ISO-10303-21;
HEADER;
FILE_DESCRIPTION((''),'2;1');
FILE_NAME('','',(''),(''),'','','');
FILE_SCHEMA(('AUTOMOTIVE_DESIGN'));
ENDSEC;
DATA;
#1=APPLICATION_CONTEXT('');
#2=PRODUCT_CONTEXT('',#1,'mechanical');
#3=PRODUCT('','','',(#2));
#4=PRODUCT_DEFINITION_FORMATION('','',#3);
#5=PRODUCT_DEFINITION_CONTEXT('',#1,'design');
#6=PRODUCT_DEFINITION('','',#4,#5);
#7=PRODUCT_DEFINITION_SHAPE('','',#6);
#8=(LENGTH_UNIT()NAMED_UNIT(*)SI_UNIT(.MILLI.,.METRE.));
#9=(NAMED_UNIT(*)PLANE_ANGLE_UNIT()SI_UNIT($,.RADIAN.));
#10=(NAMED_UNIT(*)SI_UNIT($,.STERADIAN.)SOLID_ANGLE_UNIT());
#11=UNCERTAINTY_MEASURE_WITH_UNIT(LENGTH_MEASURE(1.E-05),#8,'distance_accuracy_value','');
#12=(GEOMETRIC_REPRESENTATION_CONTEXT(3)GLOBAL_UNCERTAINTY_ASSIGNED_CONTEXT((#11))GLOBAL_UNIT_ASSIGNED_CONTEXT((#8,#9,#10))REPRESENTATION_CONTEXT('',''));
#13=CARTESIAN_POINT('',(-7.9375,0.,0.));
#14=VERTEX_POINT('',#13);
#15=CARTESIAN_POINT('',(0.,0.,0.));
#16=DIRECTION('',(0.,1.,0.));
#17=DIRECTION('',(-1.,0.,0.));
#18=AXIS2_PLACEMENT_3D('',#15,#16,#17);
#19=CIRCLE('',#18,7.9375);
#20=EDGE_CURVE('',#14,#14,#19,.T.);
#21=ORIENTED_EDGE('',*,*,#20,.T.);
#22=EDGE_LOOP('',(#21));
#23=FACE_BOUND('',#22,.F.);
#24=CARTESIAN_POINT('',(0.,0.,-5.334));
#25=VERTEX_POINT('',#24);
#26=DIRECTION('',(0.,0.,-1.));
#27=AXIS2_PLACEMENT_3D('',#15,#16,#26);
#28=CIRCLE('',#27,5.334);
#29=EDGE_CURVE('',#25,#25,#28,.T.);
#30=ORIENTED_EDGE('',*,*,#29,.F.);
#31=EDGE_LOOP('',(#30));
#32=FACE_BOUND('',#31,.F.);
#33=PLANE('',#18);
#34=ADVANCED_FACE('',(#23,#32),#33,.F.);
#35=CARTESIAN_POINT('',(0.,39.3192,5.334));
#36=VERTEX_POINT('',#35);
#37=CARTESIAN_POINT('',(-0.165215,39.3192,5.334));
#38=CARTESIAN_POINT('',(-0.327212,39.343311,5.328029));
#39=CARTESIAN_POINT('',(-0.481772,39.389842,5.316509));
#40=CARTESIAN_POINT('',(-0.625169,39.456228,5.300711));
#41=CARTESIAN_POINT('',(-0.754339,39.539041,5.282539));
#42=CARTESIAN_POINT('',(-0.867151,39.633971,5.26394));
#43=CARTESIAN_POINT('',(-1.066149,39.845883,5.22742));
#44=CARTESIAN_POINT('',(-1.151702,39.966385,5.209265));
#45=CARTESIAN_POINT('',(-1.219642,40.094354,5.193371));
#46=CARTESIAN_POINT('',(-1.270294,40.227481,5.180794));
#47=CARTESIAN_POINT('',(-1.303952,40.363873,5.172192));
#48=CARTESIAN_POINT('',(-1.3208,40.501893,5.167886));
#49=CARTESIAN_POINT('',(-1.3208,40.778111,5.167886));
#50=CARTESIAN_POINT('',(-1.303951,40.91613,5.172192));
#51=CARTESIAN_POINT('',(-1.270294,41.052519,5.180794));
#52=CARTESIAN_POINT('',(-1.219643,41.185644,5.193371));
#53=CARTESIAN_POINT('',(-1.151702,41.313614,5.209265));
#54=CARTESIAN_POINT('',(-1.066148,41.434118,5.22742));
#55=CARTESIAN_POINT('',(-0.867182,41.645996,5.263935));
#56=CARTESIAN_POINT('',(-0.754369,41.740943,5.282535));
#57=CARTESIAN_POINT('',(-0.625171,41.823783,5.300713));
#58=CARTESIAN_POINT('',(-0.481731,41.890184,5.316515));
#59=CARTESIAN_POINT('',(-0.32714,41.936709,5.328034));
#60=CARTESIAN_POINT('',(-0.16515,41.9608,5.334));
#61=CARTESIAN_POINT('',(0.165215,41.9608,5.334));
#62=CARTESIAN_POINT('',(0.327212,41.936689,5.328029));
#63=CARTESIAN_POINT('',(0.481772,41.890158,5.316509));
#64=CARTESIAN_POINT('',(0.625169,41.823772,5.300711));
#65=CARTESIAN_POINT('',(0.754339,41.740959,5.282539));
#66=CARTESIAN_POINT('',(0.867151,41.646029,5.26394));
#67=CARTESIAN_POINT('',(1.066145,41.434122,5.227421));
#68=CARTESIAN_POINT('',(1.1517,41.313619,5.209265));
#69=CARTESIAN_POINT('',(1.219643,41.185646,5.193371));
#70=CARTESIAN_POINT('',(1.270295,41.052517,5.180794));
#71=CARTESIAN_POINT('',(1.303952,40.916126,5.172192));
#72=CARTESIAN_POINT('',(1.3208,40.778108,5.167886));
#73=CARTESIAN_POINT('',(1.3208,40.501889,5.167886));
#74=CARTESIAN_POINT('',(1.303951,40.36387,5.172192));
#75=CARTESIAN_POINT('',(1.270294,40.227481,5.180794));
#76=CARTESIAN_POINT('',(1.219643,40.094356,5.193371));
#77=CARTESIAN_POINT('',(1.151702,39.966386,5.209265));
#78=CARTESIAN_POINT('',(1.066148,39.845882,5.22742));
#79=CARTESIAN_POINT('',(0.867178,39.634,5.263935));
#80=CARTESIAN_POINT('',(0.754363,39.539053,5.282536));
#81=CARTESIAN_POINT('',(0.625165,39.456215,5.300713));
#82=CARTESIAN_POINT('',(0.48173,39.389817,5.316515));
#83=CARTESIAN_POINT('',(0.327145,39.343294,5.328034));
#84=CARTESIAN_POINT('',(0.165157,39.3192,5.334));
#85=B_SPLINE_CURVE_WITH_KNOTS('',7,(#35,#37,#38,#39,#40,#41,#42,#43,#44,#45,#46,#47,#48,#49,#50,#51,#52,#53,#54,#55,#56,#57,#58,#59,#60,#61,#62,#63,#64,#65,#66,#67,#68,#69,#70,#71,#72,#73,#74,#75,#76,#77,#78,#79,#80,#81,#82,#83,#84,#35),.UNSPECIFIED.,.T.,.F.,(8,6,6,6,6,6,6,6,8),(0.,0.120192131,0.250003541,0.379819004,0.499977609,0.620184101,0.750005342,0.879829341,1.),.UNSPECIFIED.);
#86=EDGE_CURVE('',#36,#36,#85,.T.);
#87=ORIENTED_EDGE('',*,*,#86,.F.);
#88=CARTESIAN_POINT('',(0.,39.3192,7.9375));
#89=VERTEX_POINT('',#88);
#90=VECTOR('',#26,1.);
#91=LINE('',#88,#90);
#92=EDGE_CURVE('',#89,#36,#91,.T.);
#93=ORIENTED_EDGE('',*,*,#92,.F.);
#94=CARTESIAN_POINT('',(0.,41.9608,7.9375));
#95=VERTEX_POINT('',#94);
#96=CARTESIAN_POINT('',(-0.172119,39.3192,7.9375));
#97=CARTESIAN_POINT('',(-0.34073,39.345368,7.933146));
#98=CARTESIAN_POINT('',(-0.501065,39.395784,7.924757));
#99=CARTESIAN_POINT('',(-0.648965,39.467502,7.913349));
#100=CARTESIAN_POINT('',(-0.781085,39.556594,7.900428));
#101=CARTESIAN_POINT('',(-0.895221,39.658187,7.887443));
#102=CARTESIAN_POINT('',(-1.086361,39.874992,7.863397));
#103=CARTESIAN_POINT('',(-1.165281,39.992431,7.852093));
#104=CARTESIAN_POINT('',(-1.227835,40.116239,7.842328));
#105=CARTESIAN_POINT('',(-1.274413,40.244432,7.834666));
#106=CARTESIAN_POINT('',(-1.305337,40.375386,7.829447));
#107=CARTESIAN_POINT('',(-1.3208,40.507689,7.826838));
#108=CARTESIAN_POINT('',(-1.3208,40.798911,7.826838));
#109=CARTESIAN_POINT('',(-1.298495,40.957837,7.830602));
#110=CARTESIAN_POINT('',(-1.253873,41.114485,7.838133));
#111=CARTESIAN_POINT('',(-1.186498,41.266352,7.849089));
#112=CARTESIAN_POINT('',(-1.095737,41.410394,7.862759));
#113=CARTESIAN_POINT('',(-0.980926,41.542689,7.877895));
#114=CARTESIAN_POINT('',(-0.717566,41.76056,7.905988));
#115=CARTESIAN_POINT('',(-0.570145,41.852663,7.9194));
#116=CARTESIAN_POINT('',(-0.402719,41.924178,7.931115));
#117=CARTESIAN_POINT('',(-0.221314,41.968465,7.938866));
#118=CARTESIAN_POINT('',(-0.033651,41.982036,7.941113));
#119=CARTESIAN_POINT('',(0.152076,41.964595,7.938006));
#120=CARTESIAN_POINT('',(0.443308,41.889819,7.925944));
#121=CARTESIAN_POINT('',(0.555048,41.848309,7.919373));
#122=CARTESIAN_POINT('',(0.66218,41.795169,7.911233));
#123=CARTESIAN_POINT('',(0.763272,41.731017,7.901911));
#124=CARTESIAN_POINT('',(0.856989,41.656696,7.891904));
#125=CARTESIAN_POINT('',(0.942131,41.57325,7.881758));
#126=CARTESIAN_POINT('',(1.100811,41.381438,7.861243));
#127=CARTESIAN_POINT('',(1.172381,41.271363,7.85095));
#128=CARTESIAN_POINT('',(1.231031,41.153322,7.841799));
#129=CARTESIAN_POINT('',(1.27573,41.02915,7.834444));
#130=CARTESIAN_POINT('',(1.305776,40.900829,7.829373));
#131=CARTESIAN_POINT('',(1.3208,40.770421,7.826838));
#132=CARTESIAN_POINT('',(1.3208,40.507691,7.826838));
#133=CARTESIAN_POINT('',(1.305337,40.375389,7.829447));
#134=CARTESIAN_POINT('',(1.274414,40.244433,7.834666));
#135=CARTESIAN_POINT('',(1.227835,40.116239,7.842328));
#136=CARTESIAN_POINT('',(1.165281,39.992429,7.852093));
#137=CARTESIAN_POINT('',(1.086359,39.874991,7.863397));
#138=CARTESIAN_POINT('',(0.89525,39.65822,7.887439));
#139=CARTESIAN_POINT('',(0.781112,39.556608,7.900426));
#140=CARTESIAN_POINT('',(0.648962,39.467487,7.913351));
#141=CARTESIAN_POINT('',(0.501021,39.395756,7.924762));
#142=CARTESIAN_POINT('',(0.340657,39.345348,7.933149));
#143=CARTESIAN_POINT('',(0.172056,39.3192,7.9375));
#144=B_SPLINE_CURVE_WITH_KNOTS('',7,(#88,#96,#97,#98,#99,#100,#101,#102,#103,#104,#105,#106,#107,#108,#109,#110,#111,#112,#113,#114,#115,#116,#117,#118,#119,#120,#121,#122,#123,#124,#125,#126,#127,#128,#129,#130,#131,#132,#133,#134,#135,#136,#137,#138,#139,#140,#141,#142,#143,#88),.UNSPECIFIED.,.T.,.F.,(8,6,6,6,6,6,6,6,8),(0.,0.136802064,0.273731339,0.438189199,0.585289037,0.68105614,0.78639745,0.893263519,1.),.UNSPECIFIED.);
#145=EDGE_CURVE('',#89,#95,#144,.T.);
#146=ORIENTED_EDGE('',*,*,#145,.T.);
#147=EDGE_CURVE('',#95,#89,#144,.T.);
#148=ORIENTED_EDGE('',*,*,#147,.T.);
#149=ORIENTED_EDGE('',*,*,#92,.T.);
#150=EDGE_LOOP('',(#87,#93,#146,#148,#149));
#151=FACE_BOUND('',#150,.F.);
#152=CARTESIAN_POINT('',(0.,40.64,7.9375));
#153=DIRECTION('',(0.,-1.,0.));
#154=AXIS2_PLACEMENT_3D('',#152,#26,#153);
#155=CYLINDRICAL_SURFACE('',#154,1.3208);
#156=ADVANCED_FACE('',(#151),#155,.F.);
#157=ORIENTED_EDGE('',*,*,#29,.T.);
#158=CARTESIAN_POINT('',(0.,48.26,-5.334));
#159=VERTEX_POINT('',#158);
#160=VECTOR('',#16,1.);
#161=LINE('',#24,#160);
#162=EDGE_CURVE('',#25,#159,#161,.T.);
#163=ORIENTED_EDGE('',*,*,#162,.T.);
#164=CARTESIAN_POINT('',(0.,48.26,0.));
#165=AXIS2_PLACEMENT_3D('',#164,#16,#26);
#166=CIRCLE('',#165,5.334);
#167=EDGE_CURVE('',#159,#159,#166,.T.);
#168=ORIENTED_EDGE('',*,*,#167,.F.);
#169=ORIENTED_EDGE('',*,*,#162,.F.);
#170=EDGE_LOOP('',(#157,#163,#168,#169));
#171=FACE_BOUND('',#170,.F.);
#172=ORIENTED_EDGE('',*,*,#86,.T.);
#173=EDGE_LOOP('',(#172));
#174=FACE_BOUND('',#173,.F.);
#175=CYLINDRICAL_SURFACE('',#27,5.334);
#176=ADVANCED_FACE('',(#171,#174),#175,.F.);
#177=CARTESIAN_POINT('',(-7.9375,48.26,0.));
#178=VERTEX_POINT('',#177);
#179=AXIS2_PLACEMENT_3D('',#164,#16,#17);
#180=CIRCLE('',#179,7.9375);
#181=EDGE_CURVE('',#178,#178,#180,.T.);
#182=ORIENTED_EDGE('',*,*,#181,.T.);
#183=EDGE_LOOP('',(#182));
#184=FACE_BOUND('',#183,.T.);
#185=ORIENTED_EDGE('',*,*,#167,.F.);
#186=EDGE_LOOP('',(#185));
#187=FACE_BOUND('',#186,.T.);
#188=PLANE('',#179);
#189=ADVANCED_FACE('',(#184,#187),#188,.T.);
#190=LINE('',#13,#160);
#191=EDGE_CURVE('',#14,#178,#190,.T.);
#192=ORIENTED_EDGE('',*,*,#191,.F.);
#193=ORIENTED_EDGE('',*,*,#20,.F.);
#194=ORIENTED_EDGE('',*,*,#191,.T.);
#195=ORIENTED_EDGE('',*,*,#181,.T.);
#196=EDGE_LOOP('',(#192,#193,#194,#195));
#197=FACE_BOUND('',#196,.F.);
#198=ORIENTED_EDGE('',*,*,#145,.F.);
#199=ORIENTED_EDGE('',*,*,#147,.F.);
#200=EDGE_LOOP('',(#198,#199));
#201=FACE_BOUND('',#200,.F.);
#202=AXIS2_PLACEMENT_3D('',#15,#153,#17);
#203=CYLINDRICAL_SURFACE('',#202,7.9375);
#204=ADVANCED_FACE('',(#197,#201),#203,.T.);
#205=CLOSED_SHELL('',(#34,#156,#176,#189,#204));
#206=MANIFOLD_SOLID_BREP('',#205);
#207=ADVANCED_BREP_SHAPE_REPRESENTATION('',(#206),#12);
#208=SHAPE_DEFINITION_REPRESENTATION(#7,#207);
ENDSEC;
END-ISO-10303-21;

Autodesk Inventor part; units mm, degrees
ref_plane "YZ Plane" through (0, 0, 0) normal (1, 0, 0) x (0, 1, 0)
ref_plane "XZ Plane" through (0, 0, 0) normal (0, 1, 0) x (-1, 0, 0)
sketch "Sketch1" plane through (0, 0, 0) normal (0, 1, 0) x (-1, 0, 0)
  circle A0 centre (0, 0) radius 7.9375
  dimension "d35" = 15.875
extrude "Extrusion1" add sketch "Sketch1" along normal blind 48.26
hole "Hole1" at (0, 0, 0) direction (0, 1, 0) diameter 10.668 end through all
ref_plane "Work Plane1" through (0, 0, 7.9375) normal (0, 0, 1) x (1, 0, 0)
sketch "Sketch2" plane through (0, 0, 7.9375) normal (0, 0, 1) x (1, 0, 0)
  line L0 (-7.9375, 0) -> (-7.9375, 48.26) projected
  line L1 (-7.9375, 0) -> (7.9375, 0) projected
  point P0 (0, 0)
  point P1 (0, 40.64)
  dimension "d11" = 40.64
hole "Hole2" at (0, 40.64, 7.9375) direction (0, 0, -1) diameter 2.6416 depth 7.62 tip angle 118 thread size "6-32 UNC" class "2B" standard "ANSI Unified Screw Threads"
properties part number "ToolHolderAdapter_v1" material "Aluminum 6061"
